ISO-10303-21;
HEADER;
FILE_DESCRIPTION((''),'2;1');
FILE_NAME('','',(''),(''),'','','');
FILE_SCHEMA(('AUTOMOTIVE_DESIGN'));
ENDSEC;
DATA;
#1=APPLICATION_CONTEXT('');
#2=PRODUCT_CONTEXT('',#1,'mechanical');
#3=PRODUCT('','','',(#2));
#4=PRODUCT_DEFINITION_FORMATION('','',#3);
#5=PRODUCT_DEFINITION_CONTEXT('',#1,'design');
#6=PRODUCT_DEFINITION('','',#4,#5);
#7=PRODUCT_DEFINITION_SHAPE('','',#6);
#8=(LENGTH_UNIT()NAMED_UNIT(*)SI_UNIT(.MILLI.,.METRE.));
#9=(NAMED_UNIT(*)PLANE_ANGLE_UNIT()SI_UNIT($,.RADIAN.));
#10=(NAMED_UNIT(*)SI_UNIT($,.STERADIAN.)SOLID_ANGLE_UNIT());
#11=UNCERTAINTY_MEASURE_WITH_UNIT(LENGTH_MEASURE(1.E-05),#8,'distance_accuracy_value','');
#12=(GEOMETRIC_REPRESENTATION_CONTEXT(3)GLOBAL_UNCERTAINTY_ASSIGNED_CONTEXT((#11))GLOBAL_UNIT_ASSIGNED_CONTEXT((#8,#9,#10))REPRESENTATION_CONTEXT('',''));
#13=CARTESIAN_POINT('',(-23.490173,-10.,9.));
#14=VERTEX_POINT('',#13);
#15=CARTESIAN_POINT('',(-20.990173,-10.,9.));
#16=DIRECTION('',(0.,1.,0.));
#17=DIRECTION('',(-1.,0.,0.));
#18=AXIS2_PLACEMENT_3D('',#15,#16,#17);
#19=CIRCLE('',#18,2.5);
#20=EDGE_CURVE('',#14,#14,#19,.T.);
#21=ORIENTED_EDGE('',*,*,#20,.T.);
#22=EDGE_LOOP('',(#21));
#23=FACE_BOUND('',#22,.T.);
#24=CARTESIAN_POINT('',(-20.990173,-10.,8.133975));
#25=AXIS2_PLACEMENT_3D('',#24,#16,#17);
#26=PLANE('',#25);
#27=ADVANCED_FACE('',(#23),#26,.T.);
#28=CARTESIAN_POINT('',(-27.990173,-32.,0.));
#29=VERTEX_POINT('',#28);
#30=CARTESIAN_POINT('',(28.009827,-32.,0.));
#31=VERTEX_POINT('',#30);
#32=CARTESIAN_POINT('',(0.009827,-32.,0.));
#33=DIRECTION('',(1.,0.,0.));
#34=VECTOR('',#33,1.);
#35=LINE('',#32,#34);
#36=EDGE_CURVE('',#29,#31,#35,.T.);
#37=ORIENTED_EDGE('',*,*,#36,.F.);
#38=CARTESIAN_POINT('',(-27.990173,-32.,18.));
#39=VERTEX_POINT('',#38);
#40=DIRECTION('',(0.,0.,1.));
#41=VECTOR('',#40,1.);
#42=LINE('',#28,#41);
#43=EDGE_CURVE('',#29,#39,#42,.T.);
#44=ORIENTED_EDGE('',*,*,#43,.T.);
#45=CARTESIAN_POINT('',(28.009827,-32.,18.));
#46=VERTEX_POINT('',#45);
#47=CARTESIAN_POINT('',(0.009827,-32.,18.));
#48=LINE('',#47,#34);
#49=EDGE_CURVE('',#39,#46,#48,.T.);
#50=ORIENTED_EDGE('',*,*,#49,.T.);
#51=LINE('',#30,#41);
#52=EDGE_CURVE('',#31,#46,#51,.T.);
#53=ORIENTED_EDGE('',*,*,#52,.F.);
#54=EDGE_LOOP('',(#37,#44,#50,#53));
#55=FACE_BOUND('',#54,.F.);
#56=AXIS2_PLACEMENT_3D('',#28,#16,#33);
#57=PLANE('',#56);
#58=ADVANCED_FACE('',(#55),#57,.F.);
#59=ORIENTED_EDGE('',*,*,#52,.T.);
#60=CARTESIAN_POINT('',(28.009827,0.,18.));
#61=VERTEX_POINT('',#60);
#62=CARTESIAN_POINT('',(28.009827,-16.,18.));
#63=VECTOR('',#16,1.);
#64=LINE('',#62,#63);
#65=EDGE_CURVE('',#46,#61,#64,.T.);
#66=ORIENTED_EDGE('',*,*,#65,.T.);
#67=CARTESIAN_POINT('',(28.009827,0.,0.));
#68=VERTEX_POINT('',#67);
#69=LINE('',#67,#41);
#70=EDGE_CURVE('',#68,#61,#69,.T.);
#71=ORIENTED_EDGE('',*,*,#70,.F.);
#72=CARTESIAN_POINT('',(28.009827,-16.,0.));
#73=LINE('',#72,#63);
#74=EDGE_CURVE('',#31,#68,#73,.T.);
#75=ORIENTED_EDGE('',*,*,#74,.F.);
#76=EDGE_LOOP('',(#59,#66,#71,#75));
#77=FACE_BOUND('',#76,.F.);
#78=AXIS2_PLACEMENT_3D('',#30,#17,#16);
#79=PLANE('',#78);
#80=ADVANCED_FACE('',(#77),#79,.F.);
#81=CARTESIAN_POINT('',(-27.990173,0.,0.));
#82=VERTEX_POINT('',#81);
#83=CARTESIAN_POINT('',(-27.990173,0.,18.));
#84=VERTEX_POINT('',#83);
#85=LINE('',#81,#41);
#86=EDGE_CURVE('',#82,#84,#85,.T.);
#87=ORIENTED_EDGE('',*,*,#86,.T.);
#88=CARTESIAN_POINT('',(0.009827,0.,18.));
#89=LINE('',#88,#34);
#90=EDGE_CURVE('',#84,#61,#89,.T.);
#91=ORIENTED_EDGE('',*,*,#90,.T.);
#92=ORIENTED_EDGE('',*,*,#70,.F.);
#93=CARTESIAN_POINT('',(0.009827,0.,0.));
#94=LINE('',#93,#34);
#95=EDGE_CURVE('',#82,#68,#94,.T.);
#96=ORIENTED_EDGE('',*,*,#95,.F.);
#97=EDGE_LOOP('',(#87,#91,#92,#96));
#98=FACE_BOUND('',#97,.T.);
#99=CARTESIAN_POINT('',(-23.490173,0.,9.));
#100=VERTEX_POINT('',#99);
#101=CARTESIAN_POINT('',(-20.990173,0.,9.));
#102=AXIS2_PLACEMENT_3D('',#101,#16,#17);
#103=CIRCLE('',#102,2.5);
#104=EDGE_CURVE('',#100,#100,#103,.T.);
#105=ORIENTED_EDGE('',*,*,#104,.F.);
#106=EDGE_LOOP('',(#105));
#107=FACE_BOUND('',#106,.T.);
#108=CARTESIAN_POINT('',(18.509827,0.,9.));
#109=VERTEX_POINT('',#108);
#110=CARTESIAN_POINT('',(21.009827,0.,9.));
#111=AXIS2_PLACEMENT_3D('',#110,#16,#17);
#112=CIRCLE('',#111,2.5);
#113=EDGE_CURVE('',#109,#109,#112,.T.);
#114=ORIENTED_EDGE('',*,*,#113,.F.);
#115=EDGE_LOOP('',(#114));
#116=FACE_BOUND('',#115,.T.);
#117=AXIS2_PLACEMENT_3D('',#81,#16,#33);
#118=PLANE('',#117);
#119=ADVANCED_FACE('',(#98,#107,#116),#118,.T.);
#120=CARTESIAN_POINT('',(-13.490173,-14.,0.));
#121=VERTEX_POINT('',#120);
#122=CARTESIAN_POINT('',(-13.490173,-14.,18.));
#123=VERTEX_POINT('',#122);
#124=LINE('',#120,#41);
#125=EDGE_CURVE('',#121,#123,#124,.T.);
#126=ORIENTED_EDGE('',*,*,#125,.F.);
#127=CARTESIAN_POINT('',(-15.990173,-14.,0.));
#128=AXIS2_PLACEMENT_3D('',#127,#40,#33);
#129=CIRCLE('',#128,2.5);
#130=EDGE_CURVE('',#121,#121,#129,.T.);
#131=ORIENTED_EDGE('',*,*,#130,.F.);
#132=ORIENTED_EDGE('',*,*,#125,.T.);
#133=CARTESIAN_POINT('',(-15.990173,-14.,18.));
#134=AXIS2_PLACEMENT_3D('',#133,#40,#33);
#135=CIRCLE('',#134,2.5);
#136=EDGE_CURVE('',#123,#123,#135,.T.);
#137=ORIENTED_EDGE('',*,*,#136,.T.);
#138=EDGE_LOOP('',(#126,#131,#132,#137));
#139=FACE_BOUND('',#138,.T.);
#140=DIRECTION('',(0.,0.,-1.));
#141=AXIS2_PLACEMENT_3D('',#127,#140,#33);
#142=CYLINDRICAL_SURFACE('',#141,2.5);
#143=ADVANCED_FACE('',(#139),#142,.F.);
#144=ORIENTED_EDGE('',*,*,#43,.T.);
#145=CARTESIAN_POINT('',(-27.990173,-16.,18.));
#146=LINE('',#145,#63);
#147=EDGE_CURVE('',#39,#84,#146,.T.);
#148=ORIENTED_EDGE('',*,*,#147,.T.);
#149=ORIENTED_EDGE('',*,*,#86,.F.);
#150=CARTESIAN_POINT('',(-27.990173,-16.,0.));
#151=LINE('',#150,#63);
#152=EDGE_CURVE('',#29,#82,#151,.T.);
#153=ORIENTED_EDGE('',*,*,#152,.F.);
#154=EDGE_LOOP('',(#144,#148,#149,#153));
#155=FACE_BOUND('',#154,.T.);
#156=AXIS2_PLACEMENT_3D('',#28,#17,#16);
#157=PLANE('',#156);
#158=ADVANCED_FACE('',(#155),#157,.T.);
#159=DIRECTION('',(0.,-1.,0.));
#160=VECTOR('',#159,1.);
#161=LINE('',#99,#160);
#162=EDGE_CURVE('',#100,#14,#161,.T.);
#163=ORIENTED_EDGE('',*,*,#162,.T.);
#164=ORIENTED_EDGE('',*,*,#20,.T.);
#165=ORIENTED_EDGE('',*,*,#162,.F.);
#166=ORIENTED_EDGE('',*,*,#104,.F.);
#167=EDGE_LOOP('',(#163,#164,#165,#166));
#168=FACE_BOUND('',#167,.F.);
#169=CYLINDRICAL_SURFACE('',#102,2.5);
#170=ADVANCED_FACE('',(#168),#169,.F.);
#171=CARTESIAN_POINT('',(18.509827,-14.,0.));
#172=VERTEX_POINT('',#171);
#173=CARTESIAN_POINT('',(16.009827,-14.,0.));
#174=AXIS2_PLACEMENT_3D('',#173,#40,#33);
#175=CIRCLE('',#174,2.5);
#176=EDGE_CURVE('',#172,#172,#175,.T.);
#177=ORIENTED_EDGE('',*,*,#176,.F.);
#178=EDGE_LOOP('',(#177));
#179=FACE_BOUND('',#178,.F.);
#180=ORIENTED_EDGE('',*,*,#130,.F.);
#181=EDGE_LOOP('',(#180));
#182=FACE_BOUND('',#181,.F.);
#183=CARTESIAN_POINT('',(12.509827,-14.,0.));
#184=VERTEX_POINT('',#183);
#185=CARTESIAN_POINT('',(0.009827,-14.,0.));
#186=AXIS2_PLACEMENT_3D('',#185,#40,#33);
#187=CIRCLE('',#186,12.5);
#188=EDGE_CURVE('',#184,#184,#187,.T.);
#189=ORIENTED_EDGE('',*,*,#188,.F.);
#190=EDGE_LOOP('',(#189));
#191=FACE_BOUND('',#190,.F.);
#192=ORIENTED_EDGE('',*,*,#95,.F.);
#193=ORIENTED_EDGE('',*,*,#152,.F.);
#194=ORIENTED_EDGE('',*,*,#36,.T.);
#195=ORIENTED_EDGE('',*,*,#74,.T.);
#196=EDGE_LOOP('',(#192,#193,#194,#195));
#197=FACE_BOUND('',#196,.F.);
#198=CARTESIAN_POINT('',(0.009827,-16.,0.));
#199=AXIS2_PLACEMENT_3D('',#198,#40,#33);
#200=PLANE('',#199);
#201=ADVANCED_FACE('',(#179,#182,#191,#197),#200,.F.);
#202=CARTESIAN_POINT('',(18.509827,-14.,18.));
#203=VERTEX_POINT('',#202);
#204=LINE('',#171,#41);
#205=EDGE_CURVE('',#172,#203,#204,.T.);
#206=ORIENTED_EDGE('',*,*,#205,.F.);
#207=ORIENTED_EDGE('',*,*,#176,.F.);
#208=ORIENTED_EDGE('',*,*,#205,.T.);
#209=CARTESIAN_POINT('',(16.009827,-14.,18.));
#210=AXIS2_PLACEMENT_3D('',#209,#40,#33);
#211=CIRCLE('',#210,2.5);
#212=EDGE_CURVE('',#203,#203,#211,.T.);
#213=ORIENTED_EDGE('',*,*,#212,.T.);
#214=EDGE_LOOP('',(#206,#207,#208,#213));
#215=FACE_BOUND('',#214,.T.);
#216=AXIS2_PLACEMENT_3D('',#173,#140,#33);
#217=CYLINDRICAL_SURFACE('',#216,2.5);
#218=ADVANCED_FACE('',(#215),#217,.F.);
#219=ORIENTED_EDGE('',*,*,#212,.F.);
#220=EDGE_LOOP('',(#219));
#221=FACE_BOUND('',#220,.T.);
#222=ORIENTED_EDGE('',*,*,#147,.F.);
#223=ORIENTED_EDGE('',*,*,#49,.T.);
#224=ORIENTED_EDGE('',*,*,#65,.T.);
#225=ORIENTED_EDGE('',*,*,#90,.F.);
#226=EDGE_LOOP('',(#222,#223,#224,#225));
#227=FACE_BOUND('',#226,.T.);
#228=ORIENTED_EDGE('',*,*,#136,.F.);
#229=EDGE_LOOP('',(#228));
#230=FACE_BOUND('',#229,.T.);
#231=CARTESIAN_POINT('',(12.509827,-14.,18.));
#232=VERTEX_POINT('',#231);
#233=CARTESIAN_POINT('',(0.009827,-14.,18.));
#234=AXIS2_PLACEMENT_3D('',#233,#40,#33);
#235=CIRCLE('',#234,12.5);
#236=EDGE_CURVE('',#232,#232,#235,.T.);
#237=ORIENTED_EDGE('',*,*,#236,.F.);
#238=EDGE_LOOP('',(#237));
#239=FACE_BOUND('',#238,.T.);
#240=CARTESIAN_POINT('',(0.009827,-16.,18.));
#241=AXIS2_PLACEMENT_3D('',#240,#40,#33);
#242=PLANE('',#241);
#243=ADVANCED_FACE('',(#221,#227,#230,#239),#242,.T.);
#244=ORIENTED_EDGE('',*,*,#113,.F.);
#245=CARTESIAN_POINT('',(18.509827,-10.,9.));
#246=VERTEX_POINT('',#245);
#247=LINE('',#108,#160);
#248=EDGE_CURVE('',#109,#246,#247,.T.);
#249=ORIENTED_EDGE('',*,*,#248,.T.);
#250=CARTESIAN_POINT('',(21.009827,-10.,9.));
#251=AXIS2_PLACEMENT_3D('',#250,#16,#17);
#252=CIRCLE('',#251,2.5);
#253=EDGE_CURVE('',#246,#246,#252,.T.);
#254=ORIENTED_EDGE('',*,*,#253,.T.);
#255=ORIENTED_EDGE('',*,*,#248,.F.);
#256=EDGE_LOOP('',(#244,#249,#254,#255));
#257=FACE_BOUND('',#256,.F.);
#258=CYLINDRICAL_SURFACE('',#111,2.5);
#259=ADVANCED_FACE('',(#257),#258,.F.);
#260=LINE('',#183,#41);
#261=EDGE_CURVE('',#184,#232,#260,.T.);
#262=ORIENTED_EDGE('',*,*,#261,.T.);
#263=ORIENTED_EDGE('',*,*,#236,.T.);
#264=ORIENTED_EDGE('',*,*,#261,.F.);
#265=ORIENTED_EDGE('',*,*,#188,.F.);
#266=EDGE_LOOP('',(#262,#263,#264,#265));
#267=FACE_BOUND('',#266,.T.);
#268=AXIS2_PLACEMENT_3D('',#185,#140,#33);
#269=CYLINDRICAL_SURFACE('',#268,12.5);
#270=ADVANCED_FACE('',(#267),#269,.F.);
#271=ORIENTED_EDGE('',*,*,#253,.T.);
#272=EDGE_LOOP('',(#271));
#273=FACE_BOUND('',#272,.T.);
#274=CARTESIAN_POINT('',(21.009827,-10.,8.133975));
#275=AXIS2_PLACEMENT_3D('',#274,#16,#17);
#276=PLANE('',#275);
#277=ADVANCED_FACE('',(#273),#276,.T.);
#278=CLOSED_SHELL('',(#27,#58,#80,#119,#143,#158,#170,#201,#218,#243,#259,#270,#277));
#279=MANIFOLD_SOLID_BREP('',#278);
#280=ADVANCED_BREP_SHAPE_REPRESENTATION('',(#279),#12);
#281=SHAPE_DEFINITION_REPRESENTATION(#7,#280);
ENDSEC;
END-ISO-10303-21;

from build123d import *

# Parameters (mm, degrees)
F0_W     = 56
F0_H     = 32
F0_R     = 2.5
F0_R_2   = 12.5
F1_DEPTH = 18
F3_DEPTH = 10


with BuildPart() as f1:
    # F0 (on Top) → F1 (new body)
    with BuildSketch(Plane.XY):
        with Locations((0.009827, -16)):
            Rectangle(F0_W, F0_H)
        with Locations((-15.990173, -14)):
            Circle(F0_R, mode=Mode.SUBTRACT)
        with Locations((0.009827, -14)):
            Circle(F0_R_2, mode=Mode.SUBTRACT)
        with Locations((16.009827, -14)):
            Circle(F0_R, mode=Mode.SUBTRACT)
    extrude(amount=F1_DEPTH)

    # F2 (on face) → F3 (cut)
    with BuildSketch(Plane(origin=(0, 0, 0), x_dir=(-1, 0, 0), z_dir=(0, 1, 0))):
        with BuildLine():
            ThreePointArc((18.490173, 9), (20.990173, 6.5), (23.490173, 9))
            Line((23.490173, 9), (18.490173, 9))
        make_face()
        with BuildLine():
            Line((18.490173, 9), (23.490173, 9))
            ThreePointArc((23.490173, 9), (20.990173, 11.5), (18.490173, 9))
        make_face()
        with BuildLine():
            ThreePointArc((-23.509827, 9), (-21.009827, 6.5), (-18.509827, 9))
            Line((-18.509827, 9), (-23.509827, 9))
        make_face()
        with BuildLine():
            Line((-23.509827, 9), (-18.509827, 9))
            ThreePointArc((-18.509827, 9), (-21.009827, 11.5), (-23.509827, 9))
        make_face()
    extrude(amount=-F3_DEPTH, mode=Mode.SUBTRACT)


solid = f1.part
